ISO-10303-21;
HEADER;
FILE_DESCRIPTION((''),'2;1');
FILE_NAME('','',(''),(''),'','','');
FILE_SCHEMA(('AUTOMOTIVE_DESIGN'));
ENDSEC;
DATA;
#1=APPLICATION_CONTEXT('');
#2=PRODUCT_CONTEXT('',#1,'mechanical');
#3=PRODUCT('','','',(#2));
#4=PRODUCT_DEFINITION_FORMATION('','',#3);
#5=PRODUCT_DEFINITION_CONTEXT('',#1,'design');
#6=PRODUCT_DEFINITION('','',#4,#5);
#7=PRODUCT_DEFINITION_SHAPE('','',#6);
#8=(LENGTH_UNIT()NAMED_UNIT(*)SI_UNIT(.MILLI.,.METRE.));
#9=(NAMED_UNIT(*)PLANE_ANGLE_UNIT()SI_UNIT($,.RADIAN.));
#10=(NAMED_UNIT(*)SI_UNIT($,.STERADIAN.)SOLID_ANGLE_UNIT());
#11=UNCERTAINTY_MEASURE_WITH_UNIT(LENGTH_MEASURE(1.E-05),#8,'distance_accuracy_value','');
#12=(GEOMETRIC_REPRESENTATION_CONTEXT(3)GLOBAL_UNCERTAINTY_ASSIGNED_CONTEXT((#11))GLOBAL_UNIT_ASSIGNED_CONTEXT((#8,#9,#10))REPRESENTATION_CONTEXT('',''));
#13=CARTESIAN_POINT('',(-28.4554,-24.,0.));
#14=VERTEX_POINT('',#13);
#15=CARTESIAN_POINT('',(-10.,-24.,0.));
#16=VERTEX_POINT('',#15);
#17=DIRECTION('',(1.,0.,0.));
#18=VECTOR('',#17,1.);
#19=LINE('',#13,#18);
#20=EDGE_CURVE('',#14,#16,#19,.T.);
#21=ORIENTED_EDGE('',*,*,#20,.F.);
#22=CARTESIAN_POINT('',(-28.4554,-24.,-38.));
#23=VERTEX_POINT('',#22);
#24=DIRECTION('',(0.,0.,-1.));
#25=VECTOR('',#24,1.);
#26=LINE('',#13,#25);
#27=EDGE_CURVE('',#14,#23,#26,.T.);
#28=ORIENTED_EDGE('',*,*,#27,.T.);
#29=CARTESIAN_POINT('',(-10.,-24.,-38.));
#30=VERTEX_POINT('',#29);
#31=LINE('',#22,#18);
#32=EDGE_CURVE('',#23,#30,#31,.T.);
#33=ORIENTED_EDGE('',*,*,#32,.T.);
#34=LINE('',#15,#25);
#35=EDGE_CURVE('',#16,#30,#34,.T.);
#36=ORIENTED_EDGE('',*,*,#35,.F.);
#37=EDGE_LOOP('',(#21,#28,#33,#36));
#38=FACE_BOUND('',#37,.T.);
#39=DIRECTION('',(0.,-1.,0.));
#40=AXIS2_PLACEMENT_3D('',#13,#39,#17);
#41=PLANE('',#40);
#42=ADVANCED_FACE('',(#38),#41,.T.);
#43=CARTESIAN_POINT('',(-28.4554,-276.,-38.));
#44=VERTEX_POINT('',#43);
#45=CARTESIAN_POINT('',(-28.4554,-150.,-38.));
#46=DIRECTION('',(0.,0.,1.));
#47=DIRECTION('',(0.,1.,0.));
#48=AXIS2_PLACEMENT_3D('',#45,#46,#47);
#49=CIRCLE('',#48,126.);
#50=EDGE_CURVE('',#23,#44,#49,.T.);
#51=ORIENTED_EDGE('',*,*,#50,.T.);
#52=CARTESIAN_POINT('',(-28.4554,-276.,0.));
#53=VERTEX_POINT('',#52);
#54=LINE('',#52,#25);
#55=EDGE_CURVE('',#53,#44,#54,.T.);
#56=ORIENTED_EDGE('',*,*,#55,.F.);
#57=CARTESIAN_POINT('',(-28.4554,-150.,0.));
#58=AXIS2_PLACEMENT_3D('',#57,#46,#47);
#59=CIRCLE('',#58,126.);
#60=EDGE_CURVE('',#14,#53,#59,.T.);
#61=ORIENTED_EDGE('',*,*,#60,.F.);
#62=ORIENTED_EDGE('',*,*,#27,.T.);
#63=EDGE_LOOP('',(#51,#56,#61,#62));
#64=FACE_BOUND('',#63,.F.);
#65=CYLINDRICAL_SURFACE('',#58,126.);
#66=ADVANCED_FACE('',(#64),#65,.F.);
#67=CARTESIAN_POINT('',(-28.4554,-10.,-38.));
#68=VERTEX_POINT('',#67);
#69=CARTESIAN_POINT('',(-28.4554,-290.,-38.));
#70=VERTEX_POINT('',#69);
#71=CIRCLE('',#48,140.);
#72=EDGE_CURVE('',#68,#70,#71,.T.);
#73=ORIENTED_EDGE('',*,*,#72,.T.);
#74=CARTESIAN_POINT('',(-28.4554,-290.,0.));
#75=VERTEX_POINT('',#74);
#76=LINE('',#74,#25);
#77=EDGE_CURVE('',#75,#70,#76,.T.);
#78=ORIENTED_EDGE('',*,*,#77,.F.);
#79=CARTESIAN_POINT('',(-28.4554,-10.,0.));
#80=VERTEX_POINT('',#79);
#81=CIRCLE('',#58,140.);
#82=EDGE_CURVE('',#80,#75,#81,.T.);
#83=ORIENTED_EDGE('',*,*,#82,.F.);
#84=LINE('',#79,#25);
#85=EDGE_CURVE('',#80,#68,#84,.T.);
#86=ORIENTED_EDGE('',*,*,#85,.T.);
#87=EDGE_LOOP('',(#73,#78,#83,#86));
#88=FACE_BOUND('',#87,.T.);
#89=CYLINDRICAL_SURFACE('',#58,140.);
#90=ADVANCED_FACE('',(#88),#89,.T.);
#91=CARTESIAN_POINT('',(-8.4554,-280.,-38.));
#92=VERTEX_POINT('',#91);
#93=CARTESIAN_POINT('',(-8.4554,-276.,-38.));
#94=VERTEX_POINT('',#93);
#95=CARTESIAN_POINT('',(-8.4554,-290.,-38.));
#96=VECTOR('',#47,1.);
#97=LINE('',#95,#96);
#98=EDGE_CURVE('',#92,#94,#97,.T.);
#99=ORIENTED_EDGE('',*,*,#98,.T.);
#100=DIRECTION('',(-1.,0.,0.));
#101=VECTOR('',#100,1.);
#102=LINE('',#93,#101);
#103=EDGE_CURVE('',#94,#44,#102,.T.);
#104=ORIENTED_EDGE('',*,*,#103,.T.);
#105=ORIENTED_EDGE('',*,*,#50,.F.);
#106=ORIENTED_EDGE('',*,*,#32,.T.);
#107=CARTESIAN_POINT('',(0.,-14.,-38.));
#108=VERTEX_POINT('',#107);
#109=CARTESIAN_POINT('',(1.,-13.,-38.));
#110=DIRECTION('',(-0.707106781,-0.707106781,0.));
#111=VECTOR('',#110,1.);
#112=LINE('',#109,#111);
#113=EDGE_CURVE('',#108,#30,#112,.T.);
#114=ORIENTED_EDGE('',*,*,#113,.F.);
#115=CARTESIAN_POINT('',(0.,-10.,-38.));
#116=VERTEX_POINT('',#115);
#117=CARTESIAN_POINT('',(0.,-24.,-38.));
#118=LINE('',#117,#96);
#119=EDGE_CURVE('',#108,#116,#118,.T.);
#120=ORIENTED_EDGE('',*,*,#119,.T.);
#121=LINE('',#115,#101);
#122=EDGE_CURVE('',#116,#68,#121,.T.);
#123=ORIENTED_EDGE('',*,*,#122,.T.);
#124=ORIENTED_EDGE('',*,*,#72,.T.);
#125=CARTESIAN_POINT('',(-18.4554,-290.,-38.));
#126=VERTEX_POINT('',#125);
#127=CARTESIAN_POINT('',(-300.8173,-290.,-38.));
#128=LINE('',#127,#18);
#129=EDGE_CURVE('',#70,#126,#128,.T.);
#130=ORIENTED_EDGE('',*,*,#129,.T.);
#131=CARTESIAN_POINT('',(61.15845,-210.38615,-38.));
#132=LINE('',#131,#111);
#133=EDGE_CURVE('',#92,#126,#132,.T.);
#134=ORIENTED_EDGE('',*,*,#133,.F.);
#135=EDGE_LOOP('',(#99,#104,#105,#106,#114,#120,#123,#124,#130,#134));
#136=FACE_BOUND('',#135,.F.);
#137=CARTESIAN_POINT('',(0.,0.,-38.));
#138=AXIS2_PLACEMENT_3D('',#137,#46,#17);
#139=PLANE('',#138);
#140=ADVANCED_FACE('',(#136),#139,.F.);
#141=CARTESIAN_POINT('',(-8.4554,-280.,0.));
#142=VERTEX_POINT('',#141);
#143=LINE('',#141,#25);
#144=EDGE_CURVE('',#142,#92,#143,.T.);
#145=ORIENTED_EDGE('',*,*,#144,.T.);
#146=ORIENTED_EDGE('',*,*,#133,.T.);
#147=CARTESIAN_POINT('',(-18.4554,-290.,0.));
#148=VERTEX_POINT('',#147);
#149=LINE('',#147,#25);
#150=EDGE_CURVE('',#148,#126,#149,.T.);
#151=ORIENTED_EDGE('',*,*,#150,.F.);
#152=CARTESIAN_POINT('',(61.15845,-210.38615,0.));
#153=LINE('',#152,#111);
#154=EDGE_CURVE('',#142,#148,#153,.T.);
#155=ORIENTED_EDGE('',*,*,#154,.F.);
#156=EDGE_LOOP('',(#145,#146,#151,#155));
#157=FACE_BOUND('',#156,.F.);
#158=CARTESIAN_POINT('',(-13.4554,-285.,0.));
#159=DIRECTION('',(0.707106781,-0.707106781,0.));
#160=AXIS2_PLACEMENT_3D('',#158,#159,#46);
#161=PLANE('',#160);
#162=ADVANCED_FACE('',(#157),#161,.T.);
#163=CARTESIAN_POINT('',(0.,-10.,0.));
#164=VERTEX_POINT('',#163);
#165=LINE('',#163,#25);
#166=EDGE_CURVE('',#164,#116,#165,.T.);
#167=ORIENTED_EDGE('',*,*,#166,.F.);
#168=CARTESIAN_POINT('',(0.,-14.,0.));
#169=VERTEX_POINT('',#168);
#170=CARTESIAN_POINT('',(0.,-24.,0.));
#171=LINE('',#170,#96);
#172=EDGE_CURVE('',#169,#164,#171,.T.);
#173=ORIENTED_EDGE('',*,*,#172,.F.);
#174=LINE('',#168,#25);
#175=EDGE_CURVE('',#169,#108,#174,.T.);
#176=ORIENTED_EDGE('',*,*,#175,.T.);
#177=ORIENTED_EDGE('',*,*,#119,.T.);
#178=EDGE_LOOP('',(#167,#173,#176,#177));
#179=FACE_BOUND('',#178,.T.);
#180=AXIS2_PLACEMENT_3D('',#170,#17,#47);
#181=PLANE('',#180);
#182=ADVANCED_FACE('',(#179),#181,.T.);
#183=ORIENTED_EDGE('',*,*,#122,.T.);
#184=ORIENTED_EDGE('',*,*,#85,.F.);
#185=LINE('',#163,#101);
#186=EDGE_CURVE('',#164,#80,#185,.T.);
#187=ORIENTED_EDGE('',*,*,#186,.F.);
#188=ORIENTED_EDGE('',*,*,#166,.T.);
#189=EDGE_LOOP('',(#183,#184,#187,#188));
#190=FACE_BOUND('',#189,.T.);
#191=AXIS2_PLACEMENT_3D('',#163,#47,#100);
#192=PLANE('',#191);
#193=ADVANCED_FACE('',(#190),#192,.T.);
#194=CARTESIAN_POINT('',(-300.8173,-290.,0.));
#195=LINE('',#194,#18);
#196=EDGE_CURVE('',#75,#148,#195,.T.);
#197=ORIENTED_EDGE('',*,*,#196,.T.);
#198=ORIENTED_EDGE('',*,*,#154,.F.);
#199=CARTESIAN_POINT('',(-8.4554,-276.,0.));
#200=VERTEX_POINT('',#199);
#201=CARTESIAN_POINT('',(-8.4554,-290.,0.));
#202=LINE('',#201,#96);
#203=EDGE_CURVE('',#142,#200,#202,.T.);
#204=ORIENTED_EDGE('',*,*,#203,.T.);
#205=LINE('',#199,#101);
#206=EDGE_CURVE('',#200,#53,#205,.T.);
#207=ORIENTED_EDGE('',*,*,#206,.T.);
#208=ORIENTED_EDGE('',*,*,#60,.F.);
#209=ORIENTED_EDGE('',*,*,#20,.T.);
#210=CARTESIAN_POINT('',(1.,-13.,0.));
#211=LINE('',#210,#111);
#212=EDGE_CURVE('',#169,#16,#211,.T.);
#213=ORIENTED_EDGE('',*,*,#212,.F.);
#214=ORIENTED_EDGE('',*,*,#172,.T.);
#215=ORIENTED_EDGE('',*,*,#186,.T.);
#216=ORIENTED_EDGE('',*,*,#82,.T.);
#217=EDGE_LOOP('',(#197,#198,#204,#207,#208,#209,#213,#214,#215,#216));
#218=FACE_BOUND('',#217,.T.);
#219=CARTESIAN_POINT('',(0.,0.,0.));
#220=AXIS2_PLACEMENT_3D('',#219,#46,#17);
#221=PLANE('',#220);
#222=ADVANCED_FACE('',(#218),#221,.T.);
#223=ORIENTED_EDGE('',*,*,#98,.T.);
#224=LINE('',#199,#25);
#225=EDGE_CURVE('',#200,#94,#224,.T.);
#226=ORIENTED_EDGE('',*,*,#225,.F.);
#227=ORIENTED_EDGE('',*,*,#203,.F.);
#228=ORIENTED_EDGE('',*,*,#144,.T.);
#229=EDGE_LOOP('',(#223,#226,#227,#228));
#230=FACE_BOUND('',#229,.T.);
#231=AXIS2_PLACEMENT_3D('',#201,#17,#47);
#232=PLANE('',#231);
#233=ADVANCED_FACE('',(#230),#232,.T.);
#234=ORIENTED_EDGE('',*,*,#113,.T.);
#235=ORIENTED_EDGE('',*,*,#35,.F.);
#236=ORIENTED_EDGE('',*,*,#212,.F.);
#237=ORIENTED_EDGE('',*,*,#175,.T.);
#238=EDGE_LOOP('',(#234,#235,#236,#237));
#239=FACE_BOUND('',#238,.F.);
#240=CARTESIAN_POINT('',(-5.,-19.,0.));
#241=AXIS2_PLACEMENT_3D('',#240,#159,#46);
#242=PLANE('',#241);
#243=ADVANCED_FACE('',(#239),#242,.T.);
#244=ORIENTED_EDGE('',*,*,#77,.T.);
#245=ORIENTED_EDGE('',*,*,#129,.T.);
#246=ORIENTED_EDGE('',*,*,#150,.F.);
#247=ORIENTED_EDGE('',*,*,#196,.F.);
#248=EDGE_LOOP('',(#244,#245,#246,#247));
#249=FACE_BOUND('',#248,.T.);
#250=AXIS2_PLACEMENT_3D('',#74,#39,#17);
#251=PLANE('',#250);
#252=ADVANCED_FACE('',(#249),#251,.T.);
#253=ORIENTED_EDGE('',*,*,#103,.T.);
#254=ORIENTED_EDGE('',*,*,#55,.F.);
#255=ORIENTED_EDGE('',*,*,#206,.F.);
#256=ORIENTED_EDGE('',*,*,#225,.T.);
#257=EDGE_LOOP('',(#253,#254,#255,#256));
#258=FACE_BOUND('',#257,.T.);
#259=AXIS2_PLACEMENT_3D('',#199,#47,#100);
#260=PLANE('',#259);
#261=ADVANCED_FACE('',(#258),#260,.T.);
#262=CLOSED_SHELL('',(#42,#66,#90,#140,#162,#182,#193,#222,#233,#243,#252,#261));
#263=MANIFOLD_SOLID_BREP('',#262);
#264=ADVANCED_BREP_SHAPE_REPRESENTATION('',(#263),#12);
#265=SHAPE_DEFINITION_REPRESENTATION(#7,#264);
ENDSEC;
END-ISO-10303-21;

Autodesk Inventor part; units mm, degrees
ref_plane "YZ Plane" through (0, 0, 0) normal (1, 0, 0) x (0, 1, 0)
ref_plane "XZ Plane" through (0, 0, 0) normal (0, 1, 0) x (-1, 0, 0)
ref_plane "XY Plane" through (0, 0, 0) normal (0, 0, 1) x (1, 0, 0)
sketch "Sketch1" plane through (0, 0, 0) normal (0, 0, 1) x (1, 0, 0)
  line L0 (0, -10) -> (-28.4554, -10) projected
  line L1 (-28.4554, 0) -> (-28.4554, -10) projected
  line L2 (-28.4554, 0) -> (0, 0) projected
  line L3 (-28.4554, -24) -> (0, -24)
  line L4 (0, -24) -> (0, -10)
  line L5 (-300.8173, -290) -> (59.1827, -290) projected
  line L6 (-8.4554, -290) -> (-8.4554, -276)
  line L7 (-8.4554, -276) -> (-28.4554, -276)
  arc A0 (-28.4554, -24) -> (-28.4554, -276) centre (-28.4554, -150) ccw
  arc A1 (-28.4554, -10) -> (-28.4554, -290) centre (-28.4554, -150) ccw
  dimension "d0" = 14
  dimension "d7" = 20
extrude "Extrusion1" add sketch "Sketch1" against normal blind 38
chamfer "Chamfer1" distance 10 angle 45 2 edges at (0, -24, -19) (-8.4554, -290, -19)
properties part number "Z Drag Chain Dummy" material "ABS Plastic"
